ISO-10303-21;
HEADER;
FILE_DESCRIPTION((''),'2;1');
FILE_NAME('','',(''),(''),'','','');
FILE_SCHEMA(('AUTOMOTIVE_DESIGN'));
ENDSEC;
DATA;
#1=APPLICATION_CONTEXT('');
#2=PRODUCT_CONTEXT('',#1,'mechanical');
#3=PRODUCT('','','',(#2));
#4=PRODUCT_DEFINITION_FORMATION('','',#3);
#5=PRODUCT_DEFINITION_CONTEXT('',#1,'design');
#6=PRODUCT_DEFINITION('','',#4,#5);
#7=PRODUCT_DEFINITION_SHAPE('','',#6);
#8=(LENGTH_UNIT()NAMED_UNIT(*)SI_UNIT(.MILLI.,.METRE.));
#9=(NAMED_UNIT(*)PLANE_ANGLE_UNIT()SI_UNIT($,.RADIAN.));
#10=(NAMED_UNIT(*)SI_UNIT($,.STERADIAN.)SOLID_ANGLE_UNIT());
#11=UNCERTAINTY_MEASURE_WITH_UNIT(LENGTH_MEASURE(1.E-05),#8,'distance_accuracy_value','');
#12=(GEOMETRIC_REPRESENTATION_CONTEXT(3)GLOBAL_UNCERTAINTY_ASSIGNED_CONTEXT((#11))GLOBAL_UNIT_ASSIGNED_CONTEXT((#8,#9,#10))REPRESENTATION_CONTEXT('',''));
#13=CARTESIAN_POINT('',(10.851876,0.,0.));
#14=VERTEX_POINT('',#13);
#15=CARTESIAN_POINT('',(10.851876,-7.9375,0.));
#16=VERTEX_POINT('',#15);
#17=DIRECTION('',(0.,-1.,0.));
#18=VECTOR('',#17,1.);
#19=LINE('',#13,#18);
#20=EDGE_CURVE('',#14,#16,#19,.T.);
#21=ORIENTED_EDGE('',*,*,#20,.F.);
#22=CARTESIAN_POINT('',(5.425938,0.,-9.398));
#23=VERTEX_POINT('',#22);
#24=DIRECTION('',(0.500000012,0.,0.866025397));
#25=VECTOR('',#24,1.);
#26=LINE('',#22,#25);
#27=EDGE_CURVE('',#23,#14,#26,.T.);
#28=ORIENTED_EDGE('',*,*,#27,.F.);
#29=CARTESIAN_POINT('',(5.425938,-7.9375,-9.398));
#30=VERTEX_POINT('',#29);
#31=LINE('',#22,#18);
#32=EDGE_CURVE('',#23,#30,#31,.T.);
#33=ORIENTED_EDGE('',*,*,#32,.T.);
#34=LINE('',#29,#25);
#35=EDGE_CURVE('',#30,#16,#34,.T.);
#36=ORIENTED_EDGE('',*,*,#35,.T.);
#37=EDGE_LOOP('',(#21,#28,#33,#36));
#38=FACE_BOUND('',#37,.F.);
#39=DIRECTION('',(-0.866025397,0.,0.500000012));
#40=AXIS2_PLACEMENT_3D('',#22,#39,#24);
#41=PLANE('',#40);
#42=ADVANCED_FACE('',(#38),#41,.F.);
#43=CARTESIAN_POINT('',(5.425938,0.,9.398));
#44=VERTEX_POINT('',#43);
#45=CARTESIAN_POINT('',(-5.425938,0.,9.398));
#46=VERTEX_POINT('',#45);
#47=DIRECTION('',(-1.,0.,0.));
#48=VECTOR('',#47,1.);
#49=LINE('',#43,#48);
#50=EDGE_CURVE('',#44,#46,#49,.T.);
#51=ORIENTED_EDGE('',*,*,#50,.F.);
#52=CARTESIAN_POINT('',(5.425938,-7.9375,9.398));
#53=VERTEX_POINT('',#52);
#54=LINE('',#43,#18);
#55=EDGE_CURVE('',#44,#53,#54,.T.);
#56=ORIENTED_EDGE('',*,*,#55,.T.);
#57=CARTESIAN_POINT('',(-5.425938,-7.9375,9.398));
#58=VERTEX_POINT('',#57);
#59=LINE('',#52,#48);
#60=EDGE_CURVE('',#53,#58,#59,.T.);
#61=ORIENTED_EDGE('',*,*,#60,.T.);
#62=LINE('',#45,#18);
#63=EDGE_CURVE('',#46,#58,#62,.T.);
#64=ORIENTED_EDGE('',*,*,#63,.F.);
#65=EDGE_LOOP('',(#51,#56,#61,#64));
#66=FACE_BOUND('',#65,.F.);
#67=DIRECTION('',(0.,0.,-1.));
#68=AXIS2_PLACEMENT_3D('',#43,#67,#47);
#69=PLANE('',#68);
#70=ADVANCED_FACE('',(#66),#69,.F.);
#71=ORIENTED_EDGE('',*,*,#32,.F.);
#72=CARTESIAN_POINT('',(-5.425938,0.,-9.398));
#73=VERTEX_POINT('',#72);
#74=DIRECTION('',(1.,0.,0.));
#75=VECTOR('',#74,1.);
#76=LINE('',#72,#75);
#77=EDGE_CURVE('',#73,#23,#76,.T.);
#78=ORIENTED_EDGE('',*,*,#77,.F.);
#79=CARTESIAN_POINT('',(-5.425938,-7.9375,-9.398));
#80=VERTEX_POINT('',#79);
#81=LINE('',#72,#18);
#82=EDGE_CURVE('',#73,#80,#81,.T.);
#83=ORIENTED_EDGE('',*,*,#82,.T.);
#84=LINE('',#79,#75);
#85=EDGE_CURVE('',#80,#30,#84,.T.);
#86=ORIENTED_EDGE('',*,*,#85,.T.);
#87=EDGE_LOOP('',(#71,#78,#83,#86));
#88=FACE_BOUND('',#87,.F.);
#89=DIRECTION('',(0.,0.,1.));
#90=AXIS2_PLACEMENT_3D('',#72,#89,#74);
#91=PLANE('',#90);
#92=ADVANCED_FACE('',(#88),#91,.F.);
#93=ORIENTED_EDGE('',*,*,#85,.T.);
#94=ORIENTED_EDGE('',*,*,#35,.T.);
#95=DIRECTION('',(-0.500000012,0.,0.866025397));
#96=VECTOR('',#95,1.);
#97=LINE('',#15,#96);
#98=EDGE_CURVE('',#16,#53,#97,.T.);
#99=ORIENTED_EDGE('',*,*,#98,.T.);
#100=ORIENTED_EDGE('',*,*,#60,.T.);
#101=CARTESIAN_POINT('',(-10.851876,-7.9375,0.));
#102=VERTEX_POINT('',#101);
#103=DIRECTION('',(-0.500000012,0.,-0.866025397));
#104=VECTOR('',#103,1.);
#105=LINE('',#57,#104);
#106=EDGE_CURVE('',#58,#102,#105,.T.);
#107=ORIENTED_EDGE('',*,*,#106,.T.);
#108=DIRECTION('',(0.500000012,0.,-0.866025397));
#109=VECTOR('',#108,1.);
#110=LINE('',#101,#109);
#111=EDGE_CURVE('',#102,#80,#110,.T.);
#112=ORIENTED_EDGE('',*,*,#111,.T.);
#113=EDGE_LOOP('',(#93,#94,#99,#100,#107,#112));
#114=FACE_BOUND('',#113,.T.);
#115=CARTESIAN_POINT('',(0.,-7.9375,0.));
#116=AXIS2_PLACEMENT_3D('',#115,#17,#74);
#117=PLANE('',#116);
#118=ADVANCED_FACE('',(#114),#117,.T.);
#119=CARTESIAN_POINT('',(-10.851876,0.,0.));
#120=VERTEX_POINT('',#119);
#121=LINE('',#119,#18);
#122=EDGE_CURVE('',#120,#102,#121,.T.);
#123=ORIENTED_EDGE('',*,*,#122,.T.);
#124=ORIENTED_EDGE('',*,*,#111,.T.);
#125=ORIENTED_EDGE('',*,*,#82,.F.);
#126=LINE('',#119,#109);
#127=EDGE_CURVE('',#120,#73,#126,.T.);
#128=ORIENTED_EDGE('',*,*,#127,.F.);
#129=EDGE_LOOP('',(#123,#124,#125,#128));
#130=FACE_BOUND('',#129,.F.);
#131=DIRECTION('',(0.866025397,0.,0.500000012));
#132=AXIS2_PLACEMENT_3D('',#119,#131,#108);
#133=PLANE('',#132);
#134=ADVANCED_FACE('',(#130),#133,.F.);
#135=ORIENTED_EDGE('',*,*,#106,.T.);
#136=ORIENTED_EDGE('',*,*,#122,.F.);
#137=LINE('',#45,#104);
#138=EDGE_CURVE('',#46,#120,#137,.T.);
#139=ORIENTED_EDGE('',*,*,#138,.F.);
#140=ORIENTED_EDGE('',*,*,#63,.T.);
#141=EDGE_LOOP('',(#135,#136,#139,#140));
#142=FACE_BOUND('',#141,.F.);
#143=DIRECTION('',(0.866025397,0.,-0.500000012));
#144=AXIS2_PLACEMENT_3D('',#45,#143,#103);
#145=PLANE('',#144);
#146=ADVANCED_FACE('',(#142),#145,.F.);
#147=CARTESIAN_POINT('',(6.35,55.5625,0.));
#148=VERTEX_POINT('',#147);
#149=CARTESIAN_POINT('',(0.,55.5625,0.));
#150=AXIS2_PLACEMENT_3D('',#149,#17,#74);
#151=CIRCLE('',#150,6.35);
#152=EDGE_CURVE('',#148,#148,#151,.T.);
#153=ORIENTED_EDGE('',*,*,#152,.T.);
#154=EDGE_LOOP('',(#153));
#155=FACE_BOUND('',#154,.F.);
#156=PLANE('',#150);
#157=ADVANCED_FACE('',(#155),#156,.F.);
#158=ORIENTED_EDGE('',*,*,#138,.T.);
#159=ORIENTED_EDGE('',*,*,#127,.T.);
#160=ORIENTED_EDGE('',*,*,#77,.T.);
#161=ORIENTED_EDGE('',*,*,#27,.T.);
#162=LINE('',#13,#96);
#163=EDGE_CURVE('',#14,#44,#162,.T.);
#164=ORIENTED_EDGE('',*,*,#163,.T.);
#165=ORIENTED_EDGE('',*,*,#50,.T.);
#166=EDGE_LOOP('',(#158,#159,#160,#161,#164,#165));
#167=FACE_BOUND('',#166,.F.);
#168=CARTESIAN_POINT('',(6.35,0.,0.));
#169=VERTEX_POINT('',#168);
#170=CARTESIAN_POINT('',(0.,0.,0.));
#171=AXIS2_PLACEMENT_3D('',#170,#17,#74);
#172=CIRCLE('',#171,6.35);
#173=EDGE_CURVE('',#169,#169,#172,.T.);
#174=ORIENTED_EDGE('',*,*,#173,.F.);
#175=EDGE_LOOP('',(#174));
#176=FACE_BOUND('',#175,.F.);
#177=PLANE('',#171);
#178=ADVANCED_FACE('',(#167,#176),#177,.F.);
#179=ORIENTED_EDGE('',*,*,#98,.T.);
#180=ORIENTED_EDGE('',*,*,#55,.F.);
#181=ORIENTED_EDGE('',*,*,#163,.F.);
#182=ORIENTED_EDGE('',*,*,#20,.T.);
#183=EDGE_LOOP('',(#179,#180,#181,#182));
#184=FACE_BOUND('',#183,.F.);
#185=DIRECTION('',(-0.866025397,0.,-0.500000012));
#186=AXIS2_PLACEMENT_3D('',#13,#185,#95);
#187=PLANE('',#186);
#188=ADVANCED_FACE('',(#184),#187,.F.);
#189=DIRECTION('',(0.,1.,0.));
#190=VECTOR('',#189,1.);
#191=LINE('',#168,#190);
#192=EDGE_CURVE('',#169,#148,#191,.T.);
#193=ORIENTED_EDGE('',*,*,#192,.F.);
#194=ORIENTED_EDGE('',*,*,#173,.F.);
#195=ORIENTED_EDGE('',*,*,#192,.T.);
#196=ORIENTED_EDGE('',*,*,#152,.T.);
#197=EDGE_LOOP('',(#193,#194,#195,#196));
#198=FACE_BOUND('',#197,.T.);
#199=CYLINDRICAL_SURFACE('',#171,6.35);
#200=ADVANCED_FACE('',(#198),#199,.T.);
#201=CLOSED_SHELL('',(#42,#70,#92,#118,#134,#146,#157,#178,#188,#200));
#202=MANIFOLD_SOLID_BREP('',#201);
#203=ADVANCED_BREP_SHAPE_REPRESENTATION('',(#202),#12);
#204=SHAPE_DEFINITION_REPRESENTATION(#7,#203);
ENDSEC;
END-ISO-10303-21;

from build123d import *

# Parameters (mm, degrees)
F0_R     = 6.35
F1_DEPTH = 55.5625
F3_DEPTH = 7.9375


with BuildPart() as f1:
    # F0 (on Front) → F1 (new body)
    with BuildSketch(Plane.XZ):
        Circle(F0_R)
    extrude(amount=-F1_DEPTH)

    # F2 (on face) → F3 (join)
    with BuildSketch(Plane.XZ):
        Polygon((5.425938, 9.398), (-5.425938, 9.398), (-10.851876, 0), (-5.425938, -9.398), (5.425938, -9.398), (10.851876, 0), align=None)
    extrude(amount=F3_DEPTH)


solid = f1.part
